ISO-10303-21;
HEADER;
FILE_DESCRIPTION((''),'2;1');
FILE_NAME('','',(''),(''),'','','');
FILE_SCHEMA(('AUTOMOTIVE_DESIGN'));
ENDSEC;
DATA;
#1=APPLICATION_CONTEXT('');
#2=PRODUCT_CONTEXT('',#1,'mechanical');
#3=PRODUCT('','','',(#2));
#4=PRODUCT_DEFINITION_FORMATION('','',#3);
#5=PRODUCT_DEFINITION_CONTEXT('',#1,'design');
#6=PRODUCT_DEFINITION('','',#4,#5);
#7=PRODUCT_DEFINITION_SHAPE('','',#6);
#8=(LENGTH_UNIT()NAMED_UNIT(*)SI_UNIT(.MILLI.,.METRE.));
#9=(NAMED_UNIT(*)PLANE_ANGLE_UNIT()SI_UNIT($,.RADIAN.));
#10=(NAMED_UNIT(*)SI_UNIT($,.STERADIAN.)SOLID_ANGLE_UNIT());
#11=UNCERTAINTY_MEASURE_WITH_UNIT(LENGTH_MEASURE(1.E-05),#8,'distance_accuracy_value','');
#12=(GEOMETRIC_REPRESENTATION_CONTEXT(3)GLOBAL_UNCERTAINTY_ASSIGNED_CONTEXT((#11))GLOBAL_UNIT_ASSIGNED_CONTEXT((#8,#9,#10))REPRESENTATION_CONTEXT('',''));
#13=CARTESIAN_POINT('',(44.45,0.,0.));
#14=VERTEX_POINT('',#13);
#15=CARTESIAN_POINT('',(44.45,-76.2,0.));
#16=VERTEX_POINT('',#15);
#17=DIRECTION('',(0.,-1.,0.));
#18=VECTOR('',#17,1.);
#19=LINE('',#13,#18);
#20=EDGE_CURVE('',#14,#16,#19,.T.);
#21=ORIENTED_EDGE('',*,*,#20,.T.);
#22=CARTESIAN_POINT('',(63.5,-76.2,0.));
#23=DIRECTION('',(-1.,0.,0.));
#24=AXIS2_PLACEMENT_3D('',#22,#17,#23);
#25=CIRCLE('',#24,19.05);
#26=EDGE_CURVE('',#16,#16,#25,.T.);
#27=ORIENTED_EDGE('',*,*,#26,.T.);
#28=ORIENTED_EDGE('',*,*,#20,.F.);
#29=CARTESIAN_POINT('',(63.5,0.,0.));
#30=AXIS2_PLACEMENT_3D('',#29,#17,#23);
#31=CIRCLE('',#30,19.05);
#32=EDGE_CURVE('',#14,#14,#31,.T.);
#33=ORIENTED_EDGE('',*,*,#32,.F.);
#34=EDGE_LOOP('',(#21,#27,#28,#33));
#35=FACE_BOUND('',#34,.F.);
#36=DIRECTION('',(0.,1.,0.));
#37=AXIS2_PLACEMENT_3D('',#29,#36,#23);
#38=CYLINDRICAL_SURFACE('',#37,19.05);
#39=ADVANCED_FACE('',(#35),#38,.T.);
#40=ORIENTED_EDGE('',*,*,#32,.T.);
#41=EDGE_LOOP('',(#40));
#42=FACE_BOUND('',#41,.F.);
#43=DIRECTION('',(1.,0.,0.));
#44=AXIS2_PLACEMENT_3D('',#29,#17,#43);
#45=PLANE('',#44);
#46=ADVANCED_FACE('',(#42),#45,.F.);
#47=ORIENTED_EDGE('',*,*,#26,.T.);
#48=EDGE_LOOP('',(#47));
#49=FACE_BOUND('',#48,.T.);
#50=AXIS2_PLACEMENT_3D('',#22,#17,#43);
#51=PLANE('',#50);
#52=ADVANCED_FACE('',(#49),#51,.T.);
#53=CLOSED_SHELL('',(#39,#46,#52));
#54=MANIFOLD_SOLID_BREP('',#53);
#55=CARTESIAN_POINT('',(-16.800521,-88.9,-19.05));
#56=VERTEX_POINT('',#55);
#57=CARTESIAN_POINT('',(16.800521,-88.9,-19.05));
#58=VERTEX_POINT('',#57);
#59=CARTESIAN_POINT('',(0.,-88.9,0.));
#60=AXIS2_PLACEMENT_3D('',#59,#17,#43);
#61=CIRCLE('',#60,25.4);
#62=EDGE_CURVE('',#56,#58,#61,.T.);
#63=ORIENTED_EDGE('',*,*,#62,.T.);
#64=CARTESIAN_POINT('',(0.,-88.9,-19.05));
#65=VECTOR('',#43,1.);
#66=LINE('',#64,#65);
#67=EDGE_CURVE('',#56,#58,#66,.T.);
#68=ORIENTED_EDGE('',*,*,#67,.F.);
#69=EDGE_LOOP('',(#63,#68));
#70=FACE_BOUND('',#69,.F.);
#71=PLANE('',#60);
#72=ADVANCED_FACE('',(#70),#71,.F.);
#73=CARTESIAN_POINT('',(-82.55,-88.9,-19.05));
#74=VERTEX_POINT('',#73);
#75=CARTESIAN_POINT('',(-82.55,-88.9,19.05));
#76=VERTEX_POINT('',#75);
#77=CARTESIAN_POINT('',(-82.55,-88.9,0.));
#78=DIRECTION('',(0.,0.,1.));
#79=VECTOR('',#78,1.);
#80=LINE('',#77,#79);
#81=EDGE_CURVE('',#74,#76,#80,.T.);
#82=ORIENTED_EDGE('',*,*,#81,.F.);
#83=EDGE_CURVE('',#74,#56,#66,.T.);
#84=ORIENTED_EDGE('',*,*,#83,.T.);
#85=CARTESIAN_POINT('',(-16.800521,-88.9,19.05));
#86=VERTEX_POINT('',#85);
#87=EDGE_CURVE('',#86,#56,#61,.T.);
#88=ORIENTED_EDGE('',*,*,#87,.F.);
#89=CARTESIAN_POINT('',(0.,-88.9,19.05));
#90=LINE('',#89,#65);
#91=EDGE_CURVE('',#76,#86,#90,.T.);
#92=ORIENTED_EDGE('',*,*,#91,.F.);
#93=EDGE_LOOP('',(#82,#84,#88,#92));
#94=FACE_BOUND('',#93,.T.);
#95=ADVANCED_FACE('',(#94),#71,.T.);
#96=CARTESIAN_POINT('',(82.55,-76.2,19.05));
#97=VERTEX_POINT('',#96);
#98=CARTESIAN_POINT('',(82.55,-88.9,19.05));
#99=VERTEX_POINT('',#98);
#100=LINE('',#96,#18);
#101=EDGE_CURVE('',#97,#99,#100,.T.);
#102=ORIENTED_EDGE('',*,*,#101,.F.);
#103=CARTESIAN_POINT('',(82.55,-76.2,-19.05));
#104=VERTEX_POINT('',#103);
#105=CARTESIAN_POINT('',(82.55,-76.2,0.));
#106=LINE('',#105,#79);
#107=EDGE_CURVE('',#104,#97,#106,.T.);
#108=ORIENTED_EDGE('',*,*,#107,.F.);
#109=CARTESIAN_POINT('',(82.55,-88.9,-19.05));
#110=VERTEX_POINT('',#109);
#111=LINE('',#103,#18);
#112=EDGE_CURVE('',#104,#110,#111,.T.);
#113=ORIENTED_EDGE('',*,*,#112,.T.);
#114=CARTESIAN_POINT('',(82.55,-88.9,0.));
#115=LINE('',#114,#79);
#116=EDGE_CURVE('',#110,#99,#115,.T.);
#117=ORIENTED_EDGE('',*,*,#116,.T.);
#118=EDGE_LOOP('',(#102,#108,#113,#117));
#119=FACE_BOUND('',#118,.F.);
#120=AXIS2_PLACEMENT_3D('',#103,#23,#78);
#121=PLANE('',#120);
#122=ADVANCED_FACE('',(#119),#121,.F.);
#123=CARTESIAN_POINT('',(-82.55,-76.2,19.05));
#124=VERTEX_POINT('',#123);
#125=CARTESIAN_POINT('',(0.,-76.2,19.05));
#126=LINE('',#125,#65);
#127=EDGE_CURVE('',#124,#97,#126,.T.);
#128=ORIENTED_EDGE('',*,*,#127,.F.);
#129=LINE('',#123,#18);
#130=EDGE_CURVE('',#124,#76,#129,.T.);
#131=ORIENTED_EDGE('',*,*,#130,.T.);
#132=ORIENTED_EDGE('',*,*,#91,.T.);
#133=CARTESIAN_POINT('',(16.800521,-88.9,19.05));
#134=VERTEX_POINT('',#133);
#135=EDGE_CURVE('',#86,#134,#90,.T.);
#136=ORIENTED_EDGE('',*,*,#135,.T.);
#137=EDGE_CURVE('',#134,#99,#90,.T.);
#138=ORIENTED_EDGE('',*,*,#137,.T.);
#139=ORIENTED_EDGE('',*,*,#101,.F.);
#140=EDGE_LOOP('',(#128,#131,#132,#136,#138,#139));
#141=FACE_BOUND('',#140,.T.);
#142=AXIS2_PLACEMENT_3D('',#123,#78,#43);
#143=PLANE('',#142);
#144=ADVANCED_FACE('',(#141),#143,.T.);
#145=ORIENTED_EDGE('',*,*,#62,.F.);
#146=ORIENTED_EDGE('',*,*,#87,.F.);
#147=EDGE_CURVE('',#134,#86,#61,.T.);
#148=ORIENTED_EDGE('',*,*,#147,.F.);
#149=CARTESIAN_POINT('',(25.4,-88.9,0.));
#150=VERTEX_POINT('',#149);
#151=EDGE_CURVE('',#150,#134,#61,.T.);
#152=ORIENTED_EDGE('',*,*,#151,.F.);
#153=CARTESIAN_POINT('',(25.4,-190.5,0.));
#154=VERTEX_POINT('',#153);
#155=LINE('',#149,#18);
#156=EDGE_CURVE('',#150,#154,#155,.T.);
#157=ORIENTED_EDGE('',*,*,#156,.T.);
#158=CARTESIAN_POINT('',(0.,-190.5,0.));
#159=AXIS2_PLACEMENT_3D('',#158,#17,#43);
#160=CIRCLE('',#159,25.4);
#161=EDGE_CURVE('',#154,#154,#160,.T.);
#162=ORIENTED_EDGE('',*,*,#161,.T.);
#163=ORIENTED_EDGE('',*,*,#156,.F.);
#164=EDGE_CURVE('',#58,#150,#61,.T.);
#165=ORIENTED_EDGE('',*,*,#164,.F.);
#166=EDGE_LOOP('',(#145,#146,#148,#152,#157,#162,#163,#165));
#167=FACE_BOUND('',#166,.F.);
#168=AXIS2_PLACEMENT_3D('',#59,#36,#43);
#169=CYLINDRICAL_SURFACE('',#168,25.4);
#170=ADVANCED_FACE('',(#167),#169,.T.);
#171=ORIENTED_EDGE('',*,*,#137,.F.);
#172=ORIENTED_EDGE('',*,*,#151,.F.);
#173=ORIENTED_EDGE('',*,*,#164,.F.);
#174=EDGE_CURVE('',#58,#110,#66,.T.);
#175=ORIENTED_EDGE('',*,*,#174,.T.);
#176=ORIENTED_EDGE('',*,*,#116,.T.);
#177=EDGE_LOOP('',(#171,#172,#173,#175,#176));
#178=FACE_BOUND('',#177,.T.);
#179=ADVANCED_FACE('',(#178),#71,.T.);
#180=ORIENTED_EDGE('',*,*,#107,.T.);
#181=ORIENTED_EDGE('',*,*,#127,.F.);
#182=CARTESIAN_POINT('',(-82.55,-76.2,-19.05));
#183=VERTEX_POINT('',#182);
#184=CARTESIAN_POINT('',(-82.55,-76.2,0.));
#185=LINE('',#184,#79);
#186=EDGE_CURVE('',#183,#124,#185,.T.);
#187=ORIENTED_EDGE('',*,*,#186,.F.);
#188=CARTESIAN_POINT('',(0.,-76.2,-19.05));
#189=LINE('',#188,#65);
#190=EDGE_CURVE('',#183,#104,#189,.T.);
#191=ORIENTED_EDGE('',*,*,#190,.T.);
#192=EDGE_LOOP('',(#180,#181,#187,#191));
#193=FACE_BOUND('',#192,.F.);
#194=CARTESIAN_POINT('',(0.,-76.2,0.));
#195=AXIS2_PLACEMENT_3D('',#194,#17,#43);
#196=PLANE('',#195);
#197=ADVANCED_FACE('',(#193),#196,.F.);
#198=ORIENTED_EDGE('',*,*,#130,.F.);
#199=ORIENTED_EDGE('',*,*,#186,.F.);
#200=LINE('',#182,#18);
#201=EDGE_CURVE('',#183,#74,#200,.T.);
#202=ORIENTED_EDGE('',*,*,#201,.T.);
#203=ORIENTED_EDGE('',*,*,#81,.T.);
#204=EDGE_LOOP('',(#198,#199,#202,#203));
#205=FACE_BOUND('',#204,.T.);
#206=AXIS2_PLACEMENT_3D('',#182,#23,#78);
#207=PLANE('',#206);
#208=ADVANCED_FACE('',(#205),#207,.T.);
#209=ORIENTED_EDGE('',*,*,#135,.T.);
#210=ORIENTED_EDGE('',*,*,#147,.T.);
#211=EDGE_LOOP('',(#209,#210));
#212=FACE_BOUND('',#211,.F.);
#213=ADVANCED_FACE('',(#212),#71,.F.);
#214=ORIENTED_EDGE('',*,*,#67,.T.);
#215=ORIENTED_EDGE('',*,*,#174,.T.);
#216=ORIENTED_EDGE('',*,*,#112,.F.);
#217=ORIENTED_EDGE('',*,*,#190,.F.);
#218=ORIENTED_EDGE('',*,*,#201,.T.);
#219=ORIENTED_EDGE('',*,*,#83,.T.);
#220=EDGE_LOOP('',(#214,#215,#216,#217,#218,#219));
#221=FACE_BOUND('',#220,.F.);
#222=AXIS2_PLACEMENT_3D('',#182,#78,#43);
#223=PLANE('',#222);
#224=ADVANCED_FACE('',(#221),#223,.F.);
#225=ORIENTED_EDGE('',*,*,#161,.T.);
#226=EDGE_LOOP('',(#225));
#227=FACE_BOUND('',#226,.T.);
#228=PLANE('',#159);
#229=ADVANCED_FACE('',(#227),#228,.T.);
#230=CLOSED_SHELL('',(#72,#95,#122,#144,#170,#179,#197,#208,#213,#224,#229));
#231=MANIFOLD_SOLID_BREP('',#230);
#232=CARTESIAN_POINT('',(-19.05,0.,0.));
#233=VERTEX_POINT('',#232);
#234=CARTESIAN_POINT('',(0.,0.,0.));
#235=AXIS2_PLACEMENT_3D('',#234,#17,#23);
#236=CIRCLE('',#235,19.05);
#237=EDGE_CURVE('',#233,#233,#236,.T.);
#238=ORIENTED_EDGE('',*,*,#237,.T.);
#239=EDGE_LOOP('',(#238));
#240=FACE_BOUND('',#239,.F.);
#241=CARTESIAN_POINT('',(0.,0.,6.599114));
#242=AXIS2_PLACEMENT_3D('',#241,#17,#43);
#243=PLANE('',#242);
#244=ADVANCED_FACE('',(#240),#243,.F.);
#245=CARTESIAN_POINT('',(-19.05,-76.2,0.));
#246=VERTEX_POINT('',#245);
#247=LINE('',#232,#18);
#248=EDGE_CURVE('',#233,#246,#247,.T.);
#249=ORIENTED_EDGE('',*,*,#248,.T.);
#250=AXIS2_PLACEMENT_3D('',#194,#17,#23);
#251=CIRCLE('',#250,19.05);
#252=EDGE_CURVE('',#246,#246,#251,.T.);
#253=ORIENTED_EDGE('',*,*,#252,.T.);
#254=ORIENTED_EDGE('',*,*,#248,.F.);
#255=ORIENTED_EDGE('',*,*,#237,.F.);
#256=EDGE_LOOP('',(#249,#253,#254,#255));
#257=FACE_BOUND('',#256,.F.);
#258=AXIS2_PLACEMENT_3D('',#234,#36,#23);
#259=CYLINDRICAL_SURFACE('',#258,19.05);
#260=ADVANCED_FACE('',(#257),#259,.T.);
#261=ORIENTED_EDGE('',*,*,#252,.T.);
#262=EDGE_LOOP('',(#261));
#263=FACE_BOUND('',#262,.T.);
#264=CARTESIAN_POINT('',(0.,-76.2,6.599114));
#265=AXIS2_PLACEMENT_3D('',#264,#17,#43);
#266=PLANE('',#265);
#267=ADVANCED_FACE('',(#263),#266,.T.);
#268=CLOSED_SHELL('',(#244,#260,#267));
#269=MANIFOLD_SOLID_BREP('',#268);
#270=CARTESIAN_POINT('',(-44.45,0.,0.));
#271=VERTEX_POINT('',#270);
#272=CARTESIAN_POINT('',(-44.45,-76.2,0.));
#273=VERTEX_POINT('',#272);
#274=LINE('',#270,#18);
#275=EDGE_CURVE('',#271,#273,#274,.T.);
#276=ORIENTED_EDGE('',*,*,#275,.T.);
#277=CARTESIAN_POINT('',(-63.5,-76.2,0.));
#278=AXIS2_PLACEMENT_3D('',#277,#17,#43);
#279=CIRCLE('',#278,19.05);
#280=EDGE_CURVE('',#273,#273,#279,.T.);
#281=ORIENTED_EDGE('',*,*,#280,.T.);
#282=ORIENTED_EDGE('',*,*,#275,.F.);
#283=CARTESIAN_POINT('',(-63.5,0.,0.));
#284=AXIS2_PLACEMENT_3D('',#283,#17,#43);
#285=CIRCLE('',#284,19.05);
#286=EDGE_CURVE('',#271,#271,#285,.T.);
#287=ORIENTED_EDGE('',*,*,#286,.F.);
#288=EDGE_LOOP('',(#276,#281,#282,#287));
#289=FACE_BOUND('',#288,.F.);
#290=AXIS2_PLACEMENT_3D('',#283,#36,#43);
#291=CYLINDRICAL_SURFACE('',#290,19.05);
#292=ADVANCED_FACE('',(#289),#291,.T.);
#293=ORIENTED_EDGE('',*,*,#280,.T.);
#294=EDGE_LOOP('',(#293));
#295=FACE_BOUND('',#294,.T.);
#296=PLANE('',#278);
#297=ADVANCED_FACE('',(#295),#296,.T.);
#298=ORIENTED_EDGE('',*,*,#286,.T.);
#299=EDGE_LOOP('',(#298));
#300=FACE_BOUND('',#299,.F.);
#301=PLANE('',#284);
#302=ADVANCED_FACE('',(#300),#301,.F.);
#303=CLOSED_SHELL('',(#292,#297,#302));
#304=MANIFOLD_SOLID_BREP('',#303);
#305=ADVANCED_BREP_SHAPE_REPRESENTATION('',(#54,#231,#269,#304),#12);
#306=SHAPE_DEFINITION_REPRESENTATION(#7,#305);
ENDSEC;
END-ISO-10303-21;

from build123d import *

# Parameters (mm, degrees)
F0_R     = 19.05
F1_DEPTH = 76.2
F2_W     = 165.1
F2_H     = 38.1
F3_DEPTH = 12.7
F4_R     = 25.4
F5_DEPTH = 101.6


with BuildPart() as f1:
    # F0 (on Front) → F1 (new body)
    with BuildSketch(Plane.XZ):
        with BuildLine():
            Line((0, 0), (19.05, 0))
            ThreePointArc((19.05, 0), (0, 19.05), (-19.05, 0))
            Line((-19.05, 0), (0, 0))
        make_face()
        with Locations((-63.5, 0)):
            Circle(F0_R)
        with BuildLine():
            ThreePointArc((-19.05, 0), (0, -19.05), (19.05, 0))
            Line((19.05, 0), (0, 0))
            Line((0, 0), (-19.05, 0))
        make_face()
        with BuildLine():
            ThreePointArc((82.55, 0), (63.5, 19.05), (44.45, 0))
            ThreePointArc((44.45, 0), (63.5, -19.05), (82.55, 0))
        make_face()
    extrude(amount=F1_DEPTH)


with BuildPart() as f3:
    # F2 (on face) → F3 (new body)
    with BuildSketch(Plane.XZ.offset(76.2)):
        Rectangle(F2_W, F2_H)
    extrude(amount=F3_DEPTH)

    # F4 (on face) → F5 (join)
    with BuildSketch(Plane.XZ.offset(88.9)):
        Circle(F4_R)
    extrude(amount=F5_DEPTH)


solid = Compound([f1.part, f3.part])
